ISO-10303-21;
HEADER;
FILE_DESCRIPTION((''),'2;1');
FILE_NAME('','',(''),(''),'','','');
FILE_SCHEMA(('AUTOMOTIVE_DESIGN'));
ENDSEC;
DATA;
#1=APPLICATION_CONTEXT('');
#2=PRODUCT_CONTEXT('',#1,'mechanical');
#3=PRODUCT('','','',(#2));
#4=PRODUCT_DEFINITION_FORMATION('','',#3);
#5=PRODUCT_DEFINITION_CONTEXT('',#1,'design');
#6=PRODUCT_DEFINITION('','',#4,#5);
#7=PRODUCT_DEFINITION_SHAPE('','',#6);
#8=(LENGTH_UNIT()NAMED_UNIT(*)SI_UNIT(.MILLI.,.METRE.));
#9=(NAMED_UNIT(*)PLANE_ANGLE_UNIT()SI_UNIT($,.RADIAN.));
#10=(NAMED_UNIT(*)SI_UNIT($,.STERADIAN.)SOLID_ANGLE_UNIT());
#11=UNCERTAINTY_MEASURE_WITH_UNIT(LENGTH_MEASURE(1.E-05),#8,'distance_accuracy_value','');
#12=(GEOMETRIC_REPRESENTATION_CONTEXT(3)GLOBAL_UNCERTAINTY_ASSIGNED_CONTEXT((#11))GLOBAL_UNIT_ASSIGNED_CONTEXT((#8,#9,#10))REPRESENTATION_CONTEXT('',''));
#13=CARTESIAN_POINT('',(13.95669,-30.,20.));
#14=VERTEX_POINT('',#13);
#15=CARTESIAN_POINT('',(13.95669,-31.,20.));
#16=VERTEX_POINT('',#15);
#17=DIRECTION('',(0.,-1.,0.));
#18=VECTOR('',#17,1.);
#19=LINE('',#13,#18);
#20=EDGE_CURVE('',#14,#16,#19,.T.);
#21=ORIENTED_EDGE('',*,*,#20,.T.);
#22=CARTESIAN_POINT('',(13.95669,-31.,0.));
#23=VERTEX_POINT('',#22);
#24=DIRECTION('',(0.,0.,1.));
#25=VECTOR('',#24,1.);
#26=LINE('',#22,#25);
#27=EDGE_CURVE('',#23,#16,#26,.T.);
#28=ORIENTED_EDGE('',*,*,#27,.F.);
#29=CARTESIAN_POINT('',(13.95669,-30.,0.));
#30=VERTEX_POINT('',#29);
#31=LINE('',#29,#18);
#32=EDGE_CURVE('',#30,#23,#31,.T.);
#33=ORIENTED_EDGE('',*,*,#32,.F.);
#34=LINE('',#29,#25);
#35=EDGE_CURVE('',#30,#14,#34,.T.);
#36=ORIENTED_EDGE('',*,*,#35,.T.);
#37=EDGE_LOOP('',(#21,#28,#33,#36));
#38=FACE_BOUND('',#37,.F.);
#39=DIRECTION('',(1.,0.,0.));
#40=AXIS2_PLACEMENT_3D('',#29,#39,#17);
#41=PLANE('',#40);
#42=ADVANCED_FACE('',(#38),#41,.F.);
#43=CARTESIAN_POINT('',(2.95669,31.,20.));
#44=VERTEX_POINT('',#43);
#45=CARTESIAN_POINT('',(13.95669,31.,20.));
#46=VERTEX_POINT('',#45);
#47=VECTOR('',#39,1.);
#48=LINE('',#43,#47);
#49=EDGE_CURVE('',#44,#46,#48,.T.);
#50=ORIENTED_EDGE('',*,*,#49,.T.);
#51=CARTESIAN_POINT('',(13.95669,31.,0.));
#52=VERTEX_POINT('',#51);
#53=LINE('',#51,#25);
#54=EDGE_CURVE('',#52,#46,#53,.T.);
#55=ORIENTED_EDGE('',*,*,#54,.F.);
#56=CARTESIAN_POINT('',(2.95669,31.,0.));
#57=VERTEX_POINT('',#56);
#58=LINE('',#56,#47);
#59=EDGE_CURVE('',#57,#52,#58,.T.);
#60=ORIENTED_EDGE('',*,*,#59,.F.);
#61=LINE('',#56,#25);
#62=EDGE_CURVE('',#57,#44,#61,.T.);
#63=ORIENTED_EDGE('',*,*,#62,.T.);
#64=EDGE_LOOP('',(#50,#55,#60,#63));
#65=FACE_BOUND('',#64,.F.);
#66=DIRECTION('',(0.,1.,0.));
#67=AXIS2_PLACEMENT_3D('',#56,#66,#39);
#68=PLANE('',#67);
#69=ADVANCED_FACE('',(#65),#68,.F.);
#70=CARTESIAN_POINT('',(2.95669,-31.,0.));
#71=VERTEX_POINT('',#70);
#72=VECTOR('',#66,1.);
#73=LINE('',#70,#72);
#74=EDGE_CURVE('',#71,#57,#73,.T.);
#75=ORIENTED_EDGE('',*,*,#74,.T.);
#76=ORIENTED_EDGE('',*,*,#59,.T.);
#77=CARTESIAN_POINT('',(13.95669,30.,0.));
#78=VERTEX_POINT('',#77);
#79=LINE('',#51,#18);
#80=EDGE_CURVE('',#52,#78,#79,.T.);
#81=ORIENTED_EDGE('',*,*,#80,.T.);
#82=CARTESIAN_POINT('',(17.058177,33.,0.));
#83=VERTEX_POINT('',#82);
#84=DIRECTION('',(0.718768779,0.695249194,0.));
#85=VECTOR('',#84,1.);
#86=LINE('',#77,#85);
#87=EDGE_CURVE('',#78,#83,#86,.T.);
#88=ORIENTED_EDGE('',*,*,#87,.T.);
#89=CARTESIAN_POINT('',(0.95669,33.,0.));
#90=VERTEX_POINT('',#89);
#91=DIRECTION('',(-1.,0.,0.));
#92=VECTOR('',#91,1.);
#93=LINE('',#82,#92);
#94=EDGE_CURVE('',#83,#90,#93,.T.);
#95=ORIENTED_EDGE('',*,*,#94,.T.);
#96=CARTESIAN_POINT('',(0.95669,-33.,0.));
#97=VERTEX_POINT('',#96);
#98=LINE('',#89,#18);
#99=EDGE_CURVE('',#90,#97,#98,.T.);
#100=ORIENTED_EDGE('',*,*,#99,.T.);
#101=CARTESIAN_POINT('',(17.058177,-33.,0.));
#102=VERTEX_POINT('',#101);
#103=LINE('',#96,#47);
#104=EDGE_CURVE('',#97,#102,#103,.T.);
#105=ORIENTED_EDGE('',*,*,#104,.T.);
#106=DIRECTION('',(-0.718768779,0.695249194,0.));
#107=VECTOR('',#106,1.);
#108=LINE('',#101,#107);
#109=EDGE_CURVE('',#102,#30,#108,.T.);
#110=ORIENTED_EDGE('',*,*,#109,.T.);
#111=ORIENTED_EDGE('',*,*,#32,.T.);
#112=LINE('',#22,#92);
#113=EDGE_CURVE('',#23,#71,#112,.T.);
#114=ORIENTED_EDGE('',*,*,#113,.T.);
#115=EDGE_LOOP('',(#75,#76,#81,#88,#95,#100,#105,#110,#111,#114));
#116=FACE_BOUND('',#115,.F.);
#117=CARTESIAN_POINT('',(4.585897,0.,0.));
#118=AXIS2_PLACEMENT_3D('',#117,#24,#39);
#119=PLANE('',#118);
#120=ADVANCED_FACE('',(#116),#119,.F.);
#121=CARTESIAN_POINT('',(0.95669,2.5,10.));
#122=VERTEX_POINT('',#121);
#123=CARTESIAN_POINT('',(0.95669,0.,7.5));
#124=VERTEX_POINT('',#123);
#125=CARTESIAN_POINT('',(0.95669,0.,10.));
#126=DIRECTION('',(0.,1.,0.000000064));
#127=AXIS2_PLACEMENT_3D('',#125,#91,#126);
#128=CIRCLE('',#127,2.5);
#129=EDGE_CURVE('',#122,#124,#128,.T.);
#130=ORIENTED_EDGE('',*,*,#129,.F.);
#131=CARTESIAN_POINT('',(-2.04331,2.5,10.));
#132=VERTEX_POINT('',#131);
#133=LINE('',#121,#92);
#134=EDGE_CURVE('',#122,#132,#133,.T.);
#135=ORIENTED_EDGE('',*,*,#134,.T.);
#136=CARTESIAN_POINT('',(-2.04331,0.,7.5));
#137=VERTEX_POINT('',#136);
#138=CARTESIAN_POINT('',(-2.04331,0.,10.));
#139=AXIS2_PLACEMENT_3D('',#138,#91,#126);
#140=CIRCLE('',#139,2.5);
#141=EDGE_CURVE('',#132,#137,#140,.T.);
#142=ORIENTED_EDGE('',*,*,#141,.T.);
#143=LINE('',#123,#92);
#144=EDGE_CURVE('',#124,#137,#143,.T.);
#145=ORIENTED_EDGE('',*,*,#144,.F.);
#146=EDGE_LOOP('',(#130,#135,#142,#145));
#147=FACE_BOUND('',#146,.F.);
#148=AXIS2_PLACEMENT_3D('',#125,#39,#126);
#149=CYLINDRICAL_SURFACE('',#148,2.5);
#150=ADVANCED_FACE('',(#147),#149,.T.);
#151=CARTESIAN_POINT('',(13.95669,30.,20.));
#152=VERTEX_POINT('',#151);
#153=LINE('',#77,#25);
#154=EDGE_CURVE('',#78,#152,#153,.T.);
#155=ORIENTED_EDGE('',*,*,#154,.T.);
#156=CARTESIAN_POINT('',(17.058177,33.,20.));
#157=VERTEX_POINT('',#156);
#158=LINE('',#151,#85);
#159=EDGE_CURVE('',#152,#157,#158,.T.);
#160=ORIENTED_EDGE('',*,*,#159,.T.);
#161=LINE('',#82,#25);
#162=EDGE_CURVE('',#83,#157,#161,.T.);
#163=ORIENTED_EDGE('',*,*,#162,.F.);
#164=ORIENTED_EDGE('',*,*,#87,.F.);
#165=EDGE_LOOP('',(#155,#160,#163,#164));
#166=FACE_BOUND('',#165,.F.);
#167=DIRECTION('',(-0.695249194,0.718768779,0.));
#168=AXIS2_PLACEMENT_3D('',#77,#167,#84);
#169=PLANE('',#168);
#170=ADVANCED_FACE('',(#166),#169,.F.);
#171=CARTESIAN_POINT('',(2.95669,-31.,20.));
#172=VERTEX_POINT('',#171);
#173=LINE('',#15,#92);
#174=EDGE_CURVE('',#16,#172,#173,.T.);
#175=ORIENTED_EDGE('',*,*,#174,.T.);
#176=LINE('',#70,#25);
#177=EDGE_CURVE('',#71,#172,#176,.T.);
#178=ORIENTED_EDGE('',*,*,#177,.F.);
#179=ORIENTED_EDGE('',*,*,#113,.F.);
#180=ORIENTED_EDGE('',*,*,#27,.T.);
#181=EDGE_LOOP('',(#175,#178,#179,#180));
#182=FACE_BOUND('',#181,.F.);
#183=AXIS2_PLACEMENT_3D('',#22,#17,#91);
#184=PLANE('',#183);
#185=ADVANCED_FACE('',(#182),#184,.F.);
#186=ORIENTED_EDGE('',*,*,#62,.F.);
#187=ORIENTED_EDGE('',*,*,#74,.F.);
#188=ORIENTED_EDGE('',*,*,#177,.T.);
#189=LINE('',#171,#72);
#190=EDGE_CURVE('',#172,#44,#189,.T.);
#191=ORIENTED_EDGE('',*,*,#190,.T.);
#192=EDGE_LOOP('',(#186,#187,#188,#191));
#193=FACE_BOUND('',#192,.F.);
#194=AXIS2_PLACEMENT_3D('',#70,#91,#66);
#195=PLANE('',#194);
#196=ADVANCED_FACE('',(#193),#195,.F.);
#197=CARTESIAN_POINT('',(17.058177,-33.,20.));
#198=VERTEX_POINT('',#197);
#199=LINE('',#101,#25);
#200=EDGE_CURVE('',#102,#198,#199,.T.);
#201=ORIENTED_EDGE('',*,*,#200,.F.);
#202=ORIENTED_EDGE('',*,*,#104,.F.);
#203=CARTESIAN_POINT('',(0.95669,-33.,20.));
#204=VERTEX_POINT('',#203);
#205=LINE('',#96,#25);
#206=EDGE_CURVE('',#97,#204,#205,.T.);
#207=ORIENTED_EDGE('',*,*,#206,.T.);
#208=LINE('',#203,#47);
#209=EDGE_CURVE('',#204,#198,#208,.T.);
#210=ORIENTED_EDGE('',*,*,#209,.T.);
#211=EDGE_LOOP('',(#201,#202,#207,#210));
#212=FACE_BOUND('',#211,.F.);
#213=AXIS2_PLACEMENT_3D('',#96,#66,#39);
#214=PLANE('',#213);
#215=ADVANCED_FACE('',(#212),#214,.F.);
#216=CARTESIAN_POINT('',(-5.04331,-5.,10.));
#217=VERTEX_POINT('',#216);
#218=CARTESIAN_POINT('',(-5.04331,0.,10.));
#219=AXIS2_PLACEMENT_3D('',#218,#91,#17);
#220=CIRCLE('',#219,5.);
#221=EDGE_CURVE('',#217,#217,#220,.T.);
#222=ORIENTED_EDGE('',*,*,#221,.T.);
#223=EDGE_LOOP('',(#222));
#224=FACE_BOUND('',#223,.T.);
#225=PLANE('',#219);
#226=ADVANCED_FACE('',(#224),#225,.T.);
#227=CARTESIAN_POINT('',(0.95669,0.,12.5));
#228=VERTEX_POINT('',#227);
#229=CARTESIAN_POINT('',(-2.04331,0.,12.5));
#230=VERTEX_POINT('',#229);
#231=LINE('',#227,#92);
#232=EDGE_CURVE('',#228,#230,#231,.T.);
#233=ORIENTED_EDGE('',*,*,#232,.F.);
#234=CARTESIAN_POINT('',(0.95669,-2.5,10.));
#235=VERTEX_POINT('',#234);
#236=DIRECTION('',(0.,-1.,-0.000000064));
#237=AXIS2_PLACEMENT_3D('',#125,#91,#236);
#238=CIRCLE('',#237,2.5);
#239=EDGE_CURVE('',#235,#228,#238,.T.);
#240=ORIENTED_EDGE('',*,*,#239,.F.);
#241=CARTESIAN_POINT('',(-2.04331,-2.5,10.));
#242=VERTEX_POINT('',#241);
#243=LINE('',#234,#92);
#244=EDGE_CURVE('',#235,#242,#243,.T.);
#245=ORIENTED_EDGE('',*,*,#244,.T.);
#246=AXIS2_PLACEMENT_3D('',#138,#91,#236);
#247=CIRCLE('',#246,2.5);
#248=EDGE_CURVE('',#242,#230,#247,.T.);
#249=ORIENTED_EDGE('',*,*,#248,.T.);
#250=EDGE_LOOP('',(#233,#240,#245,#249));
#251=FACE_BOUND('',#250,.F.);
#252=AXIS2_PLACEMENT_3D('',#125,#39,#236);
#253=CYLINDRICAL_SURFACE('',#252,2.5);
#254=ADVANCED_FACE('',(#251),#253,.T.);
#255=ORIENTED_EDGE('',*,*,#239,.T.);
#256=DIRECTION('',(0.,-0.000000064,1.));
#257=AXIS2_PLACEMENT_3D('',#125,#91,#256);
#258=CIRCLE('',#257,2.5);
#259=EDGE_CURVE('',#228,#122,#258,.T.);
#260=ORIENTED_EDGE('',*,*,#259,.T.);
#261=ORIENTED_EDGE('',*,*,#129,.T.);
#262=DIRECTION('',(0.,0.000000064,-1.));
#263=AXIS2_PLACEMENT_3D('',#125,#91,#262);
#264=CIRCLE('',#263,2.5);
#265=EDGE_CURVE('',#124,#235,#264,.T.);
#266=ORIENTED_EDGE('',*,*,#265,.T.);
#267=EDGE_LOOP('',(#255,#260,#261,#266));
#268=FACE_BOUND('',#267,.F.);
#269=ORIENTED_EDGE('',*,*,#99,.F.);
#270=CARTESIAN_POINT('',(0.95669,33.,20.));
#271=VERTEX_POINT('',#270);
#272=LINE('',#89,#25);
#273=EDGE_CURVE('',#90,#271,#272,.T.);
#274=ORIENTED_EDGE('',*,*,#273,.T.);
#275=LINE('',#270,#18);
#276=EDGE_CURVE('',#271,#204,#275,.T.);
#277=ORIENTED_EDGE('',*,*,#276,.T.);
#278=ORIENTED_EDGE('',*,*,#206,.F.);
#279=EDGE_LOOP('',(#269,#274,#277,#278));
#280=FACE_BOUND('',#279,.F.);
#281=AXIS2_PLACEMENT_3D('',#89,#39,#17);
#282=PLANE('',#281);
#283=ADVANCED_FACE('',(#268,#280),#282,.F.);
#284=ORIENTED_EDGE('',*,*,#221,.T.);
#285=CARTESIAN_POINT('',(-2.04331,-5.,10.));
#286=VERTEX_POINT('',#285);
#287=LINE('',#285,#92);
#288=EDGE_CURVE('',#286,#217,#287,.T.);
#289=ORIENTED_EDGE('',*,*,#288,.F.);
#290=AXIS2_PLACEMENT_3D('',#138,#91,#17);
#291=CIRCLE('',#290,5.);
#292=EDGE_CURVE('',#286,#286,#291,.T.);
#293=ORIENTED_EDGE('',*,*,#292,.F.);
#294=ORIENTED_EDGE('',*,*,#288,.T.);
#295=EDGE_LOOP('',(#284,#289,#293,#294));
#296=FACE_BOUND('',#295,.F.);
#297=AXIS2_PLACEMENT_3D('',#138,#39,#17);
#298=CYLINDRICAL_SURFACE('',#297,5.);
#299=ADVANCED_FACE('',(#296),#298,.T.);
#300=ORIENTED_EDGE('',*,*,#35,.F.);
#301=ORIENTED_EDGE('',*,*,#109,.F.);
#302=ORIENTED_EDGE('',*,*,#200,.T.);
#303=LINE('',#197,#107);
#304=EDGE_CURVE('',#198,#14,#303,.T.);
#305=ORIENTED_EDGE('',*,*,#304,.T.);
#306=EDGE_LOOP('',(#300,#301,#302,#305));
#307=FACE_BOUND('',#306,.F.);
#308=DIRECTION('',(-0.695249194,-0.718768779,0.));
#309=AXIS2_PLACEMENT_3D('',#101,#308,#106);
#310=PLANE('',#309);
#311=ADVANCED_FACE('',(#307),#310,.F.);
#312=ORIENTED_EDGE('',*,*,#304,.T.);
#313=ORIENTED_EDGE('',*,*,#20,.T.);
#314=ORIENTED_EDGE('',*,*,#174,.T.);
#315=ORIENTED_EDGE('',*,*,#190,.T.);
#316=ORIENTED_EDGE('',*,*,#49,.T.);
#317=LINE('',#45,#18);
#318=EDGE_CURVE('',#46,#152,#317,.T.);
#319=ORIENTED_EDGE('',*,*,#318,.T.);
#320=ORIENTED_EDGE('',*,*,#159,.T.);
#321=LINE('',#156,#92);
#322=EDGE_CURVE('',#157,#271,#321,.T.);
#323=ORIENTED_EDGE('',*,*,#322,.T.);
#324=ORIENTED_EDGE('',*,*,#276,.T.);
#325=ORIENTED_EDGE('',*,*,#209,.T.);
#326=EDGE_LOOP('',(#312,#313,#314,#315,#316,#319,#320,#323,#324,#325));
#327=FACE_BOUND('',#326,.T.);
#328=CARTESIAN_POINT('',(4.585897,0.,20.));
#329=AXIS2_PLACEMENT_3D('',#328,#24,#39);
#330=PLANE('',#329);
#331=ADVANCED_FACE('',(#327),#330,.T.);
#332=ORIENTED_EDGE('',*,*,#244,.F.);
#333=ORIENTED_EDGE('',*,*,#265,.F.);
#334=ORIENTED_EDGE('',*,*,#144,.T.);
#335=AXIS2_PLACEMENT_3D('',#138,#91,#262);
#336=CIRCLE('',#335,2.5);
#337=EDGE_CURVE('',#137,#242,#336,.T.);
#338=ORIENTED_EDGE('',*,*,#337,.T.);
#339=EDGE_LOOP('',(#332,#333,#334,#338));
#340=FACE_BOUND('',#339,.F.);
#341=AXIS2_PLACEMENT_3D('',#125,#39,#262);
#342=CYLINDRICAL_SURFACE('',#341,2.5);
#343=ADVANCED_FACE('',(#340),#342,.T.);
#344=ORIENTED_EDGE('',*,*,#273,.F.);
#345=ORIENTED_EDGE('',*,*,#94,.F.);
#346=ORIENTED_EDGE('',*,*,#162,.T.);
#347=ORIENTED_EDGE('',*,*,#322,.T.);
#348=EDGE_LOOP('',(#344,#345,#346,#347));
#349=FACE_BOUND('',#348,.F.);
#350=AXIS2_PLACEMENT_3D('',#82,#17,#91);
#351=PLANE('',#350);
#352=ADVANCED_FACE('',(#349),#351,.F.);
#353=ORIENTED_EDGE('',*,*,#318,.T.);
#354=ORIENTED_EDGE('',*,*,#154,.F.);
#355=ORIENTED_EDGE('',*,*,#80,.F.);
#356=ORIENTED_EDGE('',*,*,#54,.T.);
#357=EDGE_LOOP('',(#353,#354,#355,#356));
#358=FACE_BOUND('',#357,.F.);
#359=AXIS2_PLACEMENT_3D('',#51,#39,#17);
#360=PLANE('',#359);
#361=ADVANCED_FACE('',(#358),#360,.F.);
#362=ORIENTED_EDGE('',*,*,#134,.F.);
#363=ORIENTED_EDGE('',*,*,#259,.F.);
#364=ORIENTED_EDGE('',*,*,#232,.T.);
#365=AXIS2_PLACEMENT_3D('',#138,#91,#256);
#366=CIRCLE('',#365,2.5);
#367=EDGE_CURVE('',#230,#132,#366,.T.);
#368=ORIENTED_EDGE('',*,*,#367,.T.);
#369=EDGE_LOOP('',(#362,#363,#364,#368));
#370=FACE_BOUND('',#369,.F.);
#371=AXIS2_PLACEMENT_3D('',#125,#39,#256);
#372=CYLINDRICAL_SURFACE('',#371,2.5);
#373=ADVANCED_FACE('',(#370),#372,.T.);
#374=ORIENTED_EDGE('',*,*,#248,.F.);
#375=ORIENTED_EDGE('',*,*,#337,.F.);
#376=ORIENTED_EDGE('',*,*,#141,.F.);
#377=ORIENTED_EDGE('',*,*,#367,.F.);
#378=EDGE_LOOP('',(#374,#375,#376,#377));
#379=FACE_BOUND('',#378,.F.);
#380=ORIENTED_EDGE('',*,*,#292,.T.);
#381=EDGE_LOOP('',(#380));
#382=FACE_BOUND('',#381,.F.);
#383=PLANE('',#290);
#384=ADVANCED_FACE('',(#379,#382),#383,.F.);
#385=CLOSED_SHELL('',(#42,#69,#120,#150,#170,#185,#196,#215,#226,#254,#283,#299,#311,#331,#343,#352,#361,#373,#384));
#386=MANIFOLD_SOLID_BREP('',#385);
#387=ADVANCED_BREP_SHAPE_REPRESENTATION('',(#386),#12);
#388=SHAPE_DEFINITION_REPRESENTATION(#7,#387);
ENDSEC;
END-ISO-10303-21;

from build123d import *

# Parameters (mm, degrees)
F1_DEPTH = 20
F3_DEPTH = 3
F4_R     = 5
F5_DEPTH = 3


with BuildPart() as f1:
    # F0 (on Top) → F1 (new body)
    with BuildSketch(Plane.XY):
        Polygon((0.95669, 33), (0.95669, 0), (0.95669, -33), (17.058177, -33), (13.95669, -30), (13.95669, -31), (2.95669, -31), (2.95669, 0), (2.95669, 31), (13.95669, 31), (13.95669, 30), (17.058177, 33), align=None)
    extrude(amount=F1_DEPTH)

    # F2 (on face) → F3 (join)
    with BuildSketch(Plane(origin=(0.95669, 0, 0), x_dir=(0, -1, 0), z_dir=(-1, 0, 0))):
        with BuildLine():
            ThreePointArc((2.5, 10), (1.767767, 11.767767), (0, 12.5))
            Line((0, 12.5), (0, 10))
            Line((0, 10), (2.5, 10))
        make_face()
        with BuildLine():
            Line((0, 10), (0, 12.5))
            ThreePointArc((0, 12.5), (-1.767767, 11.767767), (-2.5, 10))
            Line((-2.5, 10), (0, 10))
        make_face()
        with BuildLine():
            Line((2.5, 10), (0, 10))
            Line((0, 10), (0, 7.5))
            ThreePointArc((0, 7.5), (1.767767, 8.232233), (2.5, 10))
        make_face()
        with BuildLine():
            Line((0, 7.5), (0, 10))
            Line((0, 10), (-2.5, 10))
            ThreePointArc((-2.5, 10), (-1.767767, 8.232233), (0, 7.5))
        make_face()
    extrude(amount=F3_DEPTH)

    # F4 (on face) → F5 (join)
    with BuildSketch(Plane(origin=(-2.04331, 0, 0), x_dir=(0, -1, 0), z_dir=(-1, 0, 0))):
        with Locations((0, 10)):
            Circle(F4_R)
    extrude(amount=F5_DEPTH)


solid = f1.part
